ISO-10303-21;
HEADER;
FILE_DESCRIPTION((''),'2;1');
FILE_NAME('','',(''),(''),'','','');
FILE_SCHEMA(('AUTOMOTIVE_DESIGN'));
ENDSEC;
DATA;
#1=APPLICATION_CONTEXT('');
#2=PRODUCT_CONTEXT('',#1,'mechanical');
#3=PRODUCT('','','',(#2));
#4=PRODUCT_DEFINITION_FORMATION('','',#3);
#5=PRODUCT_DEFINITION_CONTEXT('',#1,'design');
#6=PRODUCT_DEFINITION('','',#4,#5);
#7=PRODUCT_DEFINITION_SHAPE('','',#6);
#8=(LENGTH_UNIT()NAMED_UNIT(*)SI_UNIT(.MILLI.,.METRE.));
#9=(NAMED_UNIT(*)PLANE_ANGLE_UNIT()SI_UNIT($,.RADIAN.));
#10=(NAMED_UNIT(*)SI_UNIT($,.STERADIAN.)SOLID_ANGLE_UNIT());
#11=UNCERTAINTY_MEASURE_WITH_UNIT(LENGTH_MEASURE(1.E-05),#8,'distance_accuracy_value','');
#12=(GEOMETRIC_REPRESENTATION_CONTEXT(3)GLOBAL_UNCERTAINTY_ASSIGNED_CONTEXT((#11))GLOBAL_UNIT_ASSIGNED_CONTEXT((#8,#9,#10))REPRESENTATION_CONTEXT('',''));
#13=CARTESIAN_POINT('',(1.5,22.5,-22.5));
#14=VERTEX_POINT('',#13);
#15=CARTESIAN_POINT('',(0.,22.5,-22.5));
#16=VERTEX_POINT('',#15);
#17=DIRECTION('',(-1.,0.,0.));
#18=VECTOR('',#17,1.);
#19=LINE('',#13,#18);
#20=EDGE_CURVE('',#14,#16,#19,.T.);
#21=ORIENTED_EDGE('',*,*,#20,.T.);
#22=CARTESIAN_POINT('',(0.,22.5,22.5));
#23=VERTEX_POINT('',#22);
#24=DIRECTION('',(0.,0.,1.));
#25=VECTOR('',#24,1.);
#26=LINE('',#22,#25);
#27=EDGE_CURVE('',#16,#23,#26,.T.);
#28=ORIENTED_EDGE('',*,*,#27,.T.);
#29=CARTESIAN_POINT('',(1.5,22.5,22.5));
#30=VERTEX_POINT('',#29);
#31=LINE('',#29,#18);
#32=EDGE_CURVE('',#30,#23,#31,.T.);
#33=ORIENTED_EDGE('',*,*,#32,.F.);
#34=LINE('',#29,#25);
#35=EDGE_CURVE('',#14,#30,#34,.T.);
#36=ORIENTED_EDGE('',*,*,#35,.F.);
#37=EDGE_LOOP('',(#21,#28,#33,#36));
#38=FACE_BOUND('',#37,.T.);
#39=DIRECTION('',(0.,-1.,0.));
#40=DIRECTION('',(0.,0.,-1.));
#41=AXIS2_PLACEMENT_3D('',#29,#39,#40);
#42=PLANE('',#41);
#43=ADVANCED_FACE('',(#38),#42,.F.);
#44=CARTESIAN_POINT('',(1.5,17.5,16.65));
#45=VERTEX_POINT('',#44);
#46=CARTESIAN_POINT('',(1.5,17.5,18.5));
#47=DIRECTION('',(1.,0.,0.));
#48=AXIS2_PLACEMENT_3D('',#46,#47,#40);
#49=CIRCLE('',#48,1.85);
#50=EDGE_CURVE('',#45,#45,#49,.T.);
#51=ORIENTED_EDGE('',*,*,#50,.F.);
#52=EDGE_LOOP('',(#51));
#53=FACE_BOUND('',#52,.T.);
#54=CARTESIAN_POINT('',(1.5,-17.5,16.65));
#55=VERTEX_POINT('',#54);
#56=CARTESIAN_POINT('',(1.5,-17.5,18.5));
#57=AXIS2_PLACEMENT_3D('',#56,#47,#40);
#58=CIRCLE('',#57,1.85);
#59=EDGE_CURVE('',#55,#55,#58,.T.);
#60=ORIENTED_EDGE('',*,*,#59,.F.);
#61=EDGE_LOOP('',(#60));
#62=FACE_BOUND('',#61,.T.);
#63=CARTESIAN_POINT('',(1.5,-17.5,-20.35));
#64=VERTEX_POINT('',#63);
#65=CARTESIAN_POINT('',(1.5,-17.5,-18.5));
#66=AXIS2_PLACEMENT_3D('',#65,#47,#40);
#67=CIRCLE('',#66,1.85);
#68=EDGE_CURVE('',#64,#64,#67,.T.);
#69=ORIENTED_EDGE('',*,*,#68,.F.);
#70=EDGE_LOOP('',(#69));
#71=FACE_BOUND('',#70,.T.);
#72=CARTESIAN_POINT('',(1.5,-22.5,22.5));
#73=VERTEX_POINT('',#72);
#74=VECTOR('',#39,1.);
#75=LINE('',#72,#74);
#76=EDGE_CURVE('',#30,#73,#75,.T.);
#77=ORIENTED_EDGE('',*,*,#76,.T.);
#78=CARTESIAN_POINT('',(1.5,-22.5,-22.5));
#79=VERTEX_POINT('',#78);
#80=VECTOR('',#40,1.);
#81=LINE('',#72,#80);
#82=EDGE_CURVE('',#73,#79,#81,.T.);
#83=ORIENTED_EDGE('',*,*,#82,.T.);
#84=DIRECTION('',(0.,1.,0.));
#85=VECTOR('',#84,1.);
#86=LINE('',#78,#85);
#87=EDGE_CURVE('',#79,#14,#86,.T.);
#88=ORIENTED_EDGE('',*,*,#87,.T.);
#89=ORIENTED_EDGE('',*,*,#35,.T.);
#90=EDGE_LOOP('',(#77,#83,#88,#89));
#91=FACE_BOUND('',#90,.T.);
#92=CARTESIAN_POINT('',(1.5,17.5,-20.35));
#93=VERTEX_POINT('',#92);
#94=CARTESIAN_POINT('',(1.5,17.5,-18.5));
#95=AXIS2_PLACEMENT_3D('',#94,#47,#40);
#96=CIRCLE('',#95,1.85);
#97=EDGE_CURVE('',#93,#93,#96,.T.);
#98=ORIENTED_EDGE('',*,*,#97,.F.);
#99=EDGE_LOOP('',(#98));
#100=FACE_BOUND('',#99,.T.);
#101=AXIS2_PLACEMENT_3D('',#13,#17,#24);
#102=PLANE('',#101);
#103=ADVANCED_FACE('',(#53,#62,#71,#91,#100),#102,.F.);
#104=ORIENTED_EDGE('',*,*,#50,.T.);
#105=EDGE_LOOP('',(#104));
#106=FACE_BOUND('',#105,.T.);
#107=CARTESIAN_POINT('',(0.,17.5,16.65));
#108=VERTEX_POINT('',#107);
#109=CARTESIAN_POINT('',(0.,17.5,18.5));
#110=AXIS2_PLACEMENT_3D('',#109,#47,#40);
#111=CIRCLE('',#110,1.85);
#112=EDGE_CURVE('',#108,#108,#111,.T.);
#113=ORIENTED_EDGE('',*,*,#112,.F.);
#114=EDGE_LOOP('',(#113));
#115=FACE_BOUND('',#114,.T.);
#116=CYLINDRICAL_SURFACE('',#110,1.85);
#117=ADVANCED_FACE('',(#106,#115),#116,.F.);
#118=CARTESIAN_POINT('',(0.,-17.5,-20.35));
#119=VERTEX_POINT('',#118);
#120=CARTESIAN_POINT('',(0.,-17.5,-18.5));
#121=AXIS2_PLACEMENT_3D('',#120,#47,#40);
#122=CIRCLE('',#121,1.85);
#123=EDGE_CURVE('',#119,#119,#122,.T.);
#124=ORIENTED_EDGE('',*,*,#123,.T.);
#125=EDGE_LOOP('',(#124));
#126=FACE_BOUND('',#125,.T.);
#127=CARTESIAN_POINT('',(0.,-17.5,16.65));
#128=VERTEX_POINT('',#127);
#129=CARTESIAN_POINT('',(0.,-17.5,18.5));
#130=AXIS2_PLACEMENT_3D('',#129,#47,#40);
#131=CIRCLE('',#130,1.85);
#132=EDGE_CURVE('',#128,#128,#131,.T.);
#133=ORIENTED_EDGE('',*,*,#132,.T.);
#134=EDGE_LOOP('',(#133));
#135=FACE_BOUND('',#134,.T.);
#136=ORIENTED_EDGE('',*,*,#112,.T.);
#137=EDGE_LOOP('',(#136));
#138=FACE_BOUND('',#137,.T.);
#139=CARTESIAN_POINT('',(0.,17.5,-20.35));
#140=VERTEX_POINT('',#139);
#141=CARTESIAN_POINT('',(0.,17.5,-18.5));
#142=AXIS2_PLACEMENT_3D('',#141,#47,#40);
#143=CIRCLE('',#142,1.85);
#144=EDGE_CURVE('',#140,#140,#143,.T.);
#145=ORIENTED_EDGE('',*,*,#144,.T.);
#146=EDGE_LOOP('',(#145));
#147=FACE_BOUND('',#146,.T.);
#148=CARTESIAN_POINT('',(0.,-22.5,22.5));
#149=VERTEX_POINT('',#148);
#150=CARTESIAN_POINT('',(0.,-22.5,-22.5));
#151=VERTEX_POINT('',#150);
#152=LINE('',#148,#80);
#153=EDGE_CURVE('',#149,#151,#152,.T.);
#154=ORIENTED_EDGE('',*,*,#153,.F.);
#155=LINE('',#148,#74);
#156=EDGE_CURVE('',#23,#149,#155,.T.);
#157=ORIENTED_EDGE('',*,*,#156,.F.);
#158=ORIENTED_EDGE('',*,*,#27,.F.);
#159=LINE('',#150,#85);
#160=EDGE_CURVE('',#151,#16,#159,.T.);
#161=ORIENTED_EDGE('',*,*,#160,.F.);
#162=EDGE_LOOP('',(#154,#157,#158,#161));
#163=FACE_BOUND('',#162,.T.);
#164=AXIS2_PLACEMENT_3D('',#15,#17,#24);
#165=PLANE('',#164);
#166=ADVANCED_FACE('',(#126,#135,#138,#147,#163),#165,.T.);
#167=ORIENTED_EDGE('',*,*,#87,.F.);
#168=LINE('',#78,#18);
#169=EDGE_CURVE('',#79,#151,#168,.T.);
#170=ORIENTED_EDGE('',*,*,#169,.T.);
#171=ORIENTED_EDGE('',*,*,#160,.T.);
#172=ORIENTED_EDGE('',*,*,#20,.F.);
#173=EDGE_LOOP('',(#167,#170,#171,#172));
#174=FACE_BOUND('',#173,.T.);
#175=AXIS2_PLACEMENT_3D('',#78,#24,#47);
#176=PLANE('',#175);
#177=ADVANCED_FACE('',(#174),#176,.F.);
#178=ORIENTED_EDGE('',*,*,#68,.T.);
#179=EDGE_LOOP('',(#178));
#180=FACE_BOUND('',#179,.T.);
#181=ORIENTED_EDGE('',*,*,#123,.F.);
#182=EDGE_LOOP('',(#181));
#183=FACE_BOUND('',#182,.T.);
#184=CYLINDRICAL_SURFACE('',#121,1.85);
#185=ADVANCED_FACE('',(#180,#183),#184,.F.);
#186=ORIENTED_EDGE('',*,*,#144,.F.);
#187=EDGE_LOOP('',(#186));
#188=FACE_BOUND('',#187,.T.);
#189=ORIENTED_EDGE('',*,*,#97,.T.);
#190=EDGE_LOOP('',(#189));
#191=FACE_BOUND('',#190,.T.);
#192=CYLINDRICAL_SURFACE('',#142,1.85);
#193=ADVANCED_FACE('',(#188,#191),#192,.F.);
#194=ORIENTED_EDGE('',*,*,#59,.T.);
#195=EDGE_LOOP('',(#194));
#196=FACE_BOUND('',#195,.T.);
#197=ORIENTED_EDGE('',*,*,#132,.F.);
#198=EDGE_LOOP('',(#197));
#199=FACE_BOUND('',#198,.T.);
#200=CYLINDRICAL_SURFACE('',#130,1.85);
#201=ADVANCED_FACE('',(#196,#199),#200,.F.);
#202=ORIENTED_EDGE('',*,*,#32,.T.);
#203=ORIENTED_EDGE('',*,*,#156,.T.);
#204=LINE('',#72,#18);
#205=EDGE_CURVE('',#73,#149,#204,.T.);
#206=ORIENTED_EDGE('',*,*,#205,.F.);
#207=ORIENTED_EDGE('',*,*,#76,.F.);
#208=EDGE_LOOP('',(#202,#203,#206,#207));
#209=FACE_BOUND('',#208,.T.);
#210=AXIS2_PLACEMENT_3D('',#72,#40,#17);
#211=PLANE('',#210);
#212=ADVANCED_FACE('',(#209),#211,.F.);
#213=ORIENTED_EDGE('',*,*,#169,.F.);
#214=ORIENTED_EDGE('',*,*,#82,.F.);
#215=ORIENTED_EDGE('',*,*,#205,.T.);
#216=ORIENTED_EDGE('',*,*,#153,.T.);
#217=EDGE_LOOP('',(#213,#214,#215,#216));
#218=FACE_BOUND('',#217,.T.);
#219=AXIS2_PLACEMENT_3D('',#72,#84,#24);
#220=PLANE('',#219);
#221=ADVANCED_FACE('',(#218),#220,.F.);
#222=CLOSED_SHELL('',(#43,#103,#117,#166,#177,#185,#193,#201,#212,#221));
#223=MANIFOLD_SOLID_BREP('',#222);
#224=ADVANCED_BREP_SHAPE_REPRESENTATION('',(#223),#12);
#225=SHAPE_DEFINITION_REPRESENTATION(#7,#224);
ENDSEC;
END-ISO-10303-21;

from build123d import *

# Parameters (mm, degrees)
SKETCH1_W           = 45
SKETCH1_H           = 45
BOSS_EXTRUDE1_DEPTH = 1.5
SKETCH2_R           = 1.85
CUT_EXTRUDE1_DEPTH  = 2.5


with BuildPart() as part:
    # Sketch1 → Boss-Extrude1 (new body)
    with BuildSketch(Plane(origin=(0, 0, 0), x_dir=(0, 0, -1), z_dir=(1, 0, 0))):
        Rectangle(SKETCH1_W, SKETCH1_H)
    extrude(amount=BOSS_EXTRUDE1_DEPTH)

    # Sketch2 → Cut-Extrude1 (cut, through all)
    with BuildSketch(Plane(origin=(1.5, 0, 0), x_dir=(0, 0, -1), z_dir=(1, 0, 0))):
        with Locations((-18.5, 17.5)):
            Circle(SKETCH2_R)
        with Locations((-18.5, -17.5)):
            Circle(SKETCH2_R)
        with Locations((18.5, 17.5)):
            Circle(SKETCH2_R)
        with Locations((18.5, -17.5)):
            Circle(SKETCH2_R)
    extrude(amount=-CUT_EXTRUDE1_DEPTH, mode=Mode.SUBTRACT)


solid = part.part
